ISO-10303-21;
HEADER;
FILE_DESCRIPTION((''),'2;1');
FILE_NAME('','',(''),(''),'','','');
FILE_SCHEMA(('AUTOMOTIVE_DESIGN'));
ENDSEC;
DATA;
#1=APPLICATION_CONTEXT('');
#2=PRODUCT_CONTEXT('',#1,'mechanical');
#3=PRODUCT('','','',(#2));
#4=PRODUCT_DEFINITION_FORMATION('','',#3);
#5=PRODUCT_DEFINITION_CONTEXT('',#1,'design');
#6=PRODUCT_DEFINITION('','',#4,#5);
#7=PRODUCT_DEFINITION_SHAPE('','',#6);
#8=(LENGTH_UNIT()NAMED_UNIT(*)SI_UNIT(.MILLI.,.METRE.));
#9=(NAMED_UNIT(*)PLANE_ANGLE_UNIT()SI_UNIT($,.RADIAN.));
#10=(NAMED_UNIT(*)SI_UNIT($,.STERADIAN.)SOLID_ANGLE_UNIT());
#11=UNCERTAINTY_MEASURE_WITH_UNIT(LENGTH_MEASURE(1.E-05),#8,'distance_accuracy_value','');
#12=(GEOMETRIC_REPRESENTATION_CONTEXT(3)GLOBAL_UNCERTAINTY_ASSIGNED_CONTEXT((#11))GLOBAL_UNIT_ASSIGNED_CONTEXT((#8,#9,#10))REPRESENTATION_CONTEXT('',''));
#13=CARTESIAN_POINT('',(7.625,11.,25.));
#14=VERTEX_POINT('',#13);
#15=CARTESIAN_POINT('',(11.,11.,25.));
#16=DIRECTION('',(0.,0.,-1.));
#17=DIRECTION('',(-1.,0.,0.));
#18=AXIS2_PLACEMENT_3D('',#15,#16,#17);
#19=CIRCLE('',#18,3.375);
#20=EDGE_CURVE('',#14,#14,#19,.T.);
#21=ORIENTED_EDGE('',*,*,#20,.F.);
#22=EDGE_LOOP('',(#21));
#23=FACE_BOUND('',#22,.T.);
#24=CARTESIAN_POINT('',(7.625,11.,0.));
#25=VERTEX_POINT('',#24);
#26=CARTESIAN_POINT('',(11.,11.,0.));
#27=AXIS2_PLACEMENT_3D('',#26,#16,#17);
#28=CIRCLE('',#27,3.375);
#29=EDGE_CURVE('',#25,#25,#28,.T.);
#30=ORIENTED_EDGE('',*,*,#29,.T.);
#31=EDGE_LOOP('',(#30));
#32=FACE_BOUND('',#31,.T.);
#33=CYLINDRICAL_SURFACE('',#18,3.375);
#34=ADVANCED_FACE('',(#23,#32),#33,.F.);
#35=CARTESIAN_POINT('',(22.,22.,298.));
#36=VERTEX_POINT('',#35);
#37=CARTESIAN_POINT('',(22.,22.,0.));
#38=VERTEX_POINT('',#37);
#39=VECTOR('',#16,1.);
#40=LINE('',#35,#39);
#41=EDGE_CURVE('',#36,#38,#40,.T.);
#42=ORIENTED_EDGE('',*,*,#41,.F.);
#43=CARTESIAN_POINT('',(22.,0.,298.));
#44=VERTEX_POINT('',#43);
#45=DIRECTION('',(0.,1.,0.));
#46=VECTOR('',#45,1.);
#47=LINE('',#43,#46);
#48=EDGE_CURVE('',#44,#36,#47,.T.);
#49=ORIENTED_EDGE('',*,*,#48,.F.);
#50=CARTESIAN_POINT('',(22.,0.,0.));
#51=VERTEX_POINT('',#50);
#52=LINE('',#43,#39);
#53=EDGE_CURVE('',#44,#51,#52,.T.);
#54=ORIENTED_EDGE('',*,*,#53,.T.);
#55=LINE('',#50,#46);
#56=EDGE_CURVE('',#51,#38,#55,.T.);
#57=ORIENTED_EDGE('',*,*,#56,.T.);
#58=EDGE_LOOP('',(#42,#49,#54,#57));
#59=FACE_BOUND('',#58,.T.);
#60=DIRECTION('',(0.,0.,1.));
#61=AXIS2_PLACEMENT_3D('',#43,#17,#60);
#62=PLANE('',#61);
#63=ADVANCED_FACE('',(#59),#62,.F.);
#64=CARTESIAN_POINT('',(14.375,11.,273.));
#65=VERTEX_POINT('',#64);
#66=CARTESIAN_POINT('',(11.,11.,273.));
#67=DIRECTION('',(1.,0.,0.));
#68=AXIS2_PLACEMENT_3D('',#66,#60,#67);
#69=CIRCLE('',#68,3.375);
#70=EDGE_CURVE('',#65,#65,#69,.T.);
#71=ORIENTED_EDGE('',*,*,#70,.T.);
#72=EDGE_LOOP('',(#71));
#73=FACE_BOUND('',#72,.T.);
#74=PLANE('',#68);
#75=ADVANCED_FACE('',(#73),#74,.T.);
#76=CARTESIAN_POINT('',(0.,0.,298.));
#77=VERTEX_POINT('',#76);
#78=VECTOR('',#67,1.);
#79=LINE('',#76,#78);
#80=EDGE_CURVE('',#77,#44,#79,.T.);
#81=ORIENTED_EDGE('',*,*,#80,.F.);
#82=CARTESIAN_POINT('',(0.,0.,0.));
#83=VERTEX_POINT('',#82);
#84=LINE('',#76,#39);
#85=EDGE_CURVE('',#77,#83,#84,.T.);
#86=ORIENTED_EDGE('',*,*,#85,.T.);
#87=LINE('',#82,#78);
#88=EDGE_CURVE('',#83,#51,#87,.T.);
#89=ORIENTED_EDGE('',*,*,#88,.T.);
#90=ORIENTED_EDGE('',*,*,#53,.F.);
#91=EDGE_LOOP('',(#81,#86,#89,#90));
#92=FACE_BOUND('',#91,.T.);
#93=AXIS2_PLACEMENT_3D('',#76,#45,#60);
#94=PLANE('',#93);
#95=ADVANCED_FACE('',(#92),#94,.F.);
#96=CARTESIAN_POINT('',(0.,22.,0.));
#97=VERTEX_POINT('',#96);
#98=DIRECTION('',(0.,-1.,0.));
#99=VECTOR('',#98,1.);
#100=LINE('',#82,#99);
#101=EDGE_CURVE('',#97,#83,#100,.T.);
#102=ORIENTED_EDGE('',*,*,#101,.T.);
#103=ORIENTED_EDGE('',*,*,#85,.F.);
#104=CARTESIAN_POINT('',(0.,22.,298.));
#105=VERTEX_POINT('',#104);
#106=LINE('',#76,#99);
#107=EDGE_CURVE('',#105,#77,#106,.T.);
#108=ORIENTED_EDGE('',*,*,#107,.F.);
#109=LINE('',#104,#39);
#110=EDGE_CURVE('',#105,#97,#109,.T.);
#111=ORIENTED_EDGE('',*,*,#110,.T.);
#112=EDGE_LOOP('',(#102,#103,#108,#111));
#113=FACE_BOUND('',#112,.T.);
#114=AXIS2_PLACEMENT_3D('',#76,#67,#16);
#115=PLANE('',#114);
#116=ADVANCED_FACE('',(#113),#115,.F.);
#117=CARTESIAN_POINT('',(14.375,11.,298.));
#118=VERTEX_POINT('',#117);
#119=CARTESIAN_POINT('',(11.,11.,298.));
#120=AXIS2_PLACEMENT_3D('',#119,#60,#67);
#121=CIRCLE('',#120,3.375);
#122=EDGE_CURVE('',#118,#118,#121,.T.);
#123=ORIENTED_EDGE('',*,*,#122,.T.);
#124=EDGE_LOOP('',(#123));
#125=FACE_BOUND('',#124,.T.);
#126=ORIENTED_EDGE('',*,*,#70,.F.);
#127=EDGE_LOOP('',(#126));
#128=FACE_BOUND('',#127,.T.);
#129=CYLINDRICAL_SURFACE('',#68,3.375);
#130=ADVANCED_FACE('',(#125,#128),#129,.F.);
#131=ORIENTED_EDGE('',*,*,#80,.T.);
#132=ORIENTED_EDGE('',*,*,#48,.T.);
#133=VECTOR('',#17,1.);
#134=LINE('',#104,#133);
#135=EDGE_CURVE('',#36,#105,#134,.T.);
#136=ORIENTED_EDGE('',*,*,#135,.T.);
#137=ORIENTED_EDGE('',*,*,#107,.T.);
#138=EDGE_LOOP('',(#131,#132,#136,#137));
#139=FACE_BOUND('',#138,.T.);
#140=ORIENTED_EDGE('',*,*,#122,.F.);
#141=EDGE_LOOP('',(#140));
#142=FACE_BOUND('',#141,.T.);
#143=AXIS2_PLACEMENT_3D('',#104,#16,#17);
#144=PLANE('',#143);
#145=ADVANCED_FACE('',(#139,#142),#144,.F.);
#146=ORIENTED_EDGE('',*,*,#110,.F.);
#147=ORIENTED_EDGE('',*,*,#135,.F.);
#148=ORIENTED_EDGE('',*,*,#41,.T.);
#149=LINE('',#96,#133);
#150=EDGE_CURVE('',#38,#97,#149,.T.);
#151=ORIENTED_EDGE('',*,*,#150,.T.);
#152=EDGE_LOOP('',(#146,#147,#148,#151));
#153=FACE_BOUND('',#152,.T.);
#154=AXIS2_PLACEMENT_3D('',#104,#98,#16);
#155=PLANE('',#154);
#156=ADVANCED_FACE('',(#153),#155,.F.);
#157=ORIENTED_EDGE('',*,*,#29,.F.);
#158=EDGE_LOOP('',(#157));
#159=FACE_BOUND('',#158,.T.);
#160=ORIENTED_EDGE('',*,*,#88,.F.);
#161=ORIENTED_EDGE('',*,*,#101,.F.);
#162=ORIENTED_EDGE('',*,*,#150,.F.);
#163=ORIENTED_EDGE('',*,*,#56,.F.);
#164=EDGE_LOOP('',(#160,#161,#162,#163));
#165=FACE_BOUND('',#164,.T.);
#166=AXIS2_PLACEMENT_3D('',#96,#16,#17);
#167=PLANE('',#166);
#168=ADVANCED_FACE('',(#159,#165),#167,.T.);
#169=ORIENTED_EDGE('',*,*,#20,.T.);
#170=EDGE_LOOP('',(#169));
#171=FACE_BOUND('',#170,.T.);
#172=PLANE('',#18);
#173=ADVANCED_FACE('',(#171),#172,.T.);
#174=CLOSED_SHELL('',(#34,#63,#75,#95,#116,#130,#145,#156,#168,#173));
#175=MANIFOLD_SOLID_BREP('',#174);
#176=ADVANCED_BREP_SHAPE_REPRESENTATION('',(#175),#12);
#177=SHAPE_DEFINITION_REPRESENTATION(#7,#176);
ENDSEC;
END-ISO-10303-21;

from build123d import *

# Parameters (mm, degrees)
ESQUISSE1_W             = 22
ESQUISSE1_H             = 22
BASE_EXTRUSION_DEPTH    = 298
ESQUISSE2_R             = 3.375
ENL_V_MAT_EXTRU_1_DEPTH = 25
ENL_V_START             = -25
ESQUISSE3_R             = 3.375
ENL_V_MAT_EXTRU_2_DEPTH = 25


with BuildPart() as part:
    # Esquisse1 → Base-Extrusion (new body)
    with BuildSketch(Plane.XY):
        with Locations((11, 11)):
            Rectangle(ESQUISSE1_W, ESQUISSE1_H)
    extrude(amount=BASE_EXTRUSION_DEPTH)

    # Esquisse2 → Enlèv. mat.-Extru.1 (cut)
    with BuildSketch(Plane.XY.offset(298)):
        with Locations((11, 11)):
            Circle(ESQUISSE2_R)
    extrude(amount=-ENL_V_MAT_EXTRU_1_DEPTH, mode=Mode.SUBTRACT)

    # Esquisse3 → Enlèv. mat.-Extru.2 (cut)
    with BuildSketch(Plane(origin=(0, 0, 0), x_dir=(-1, 0, 0), z_dir=(0, 0, -1)).offset(ENL_V_START)):
        with Locations(Location((-11, 11, 0), (0, 0, 180))):
            Circle(ESQUISSE3_R)
    extrude(amount=ENL_V_MAT_EXTRU_2_DEPTH, mode=Mode.SUBTRACT)


solid = part.part
